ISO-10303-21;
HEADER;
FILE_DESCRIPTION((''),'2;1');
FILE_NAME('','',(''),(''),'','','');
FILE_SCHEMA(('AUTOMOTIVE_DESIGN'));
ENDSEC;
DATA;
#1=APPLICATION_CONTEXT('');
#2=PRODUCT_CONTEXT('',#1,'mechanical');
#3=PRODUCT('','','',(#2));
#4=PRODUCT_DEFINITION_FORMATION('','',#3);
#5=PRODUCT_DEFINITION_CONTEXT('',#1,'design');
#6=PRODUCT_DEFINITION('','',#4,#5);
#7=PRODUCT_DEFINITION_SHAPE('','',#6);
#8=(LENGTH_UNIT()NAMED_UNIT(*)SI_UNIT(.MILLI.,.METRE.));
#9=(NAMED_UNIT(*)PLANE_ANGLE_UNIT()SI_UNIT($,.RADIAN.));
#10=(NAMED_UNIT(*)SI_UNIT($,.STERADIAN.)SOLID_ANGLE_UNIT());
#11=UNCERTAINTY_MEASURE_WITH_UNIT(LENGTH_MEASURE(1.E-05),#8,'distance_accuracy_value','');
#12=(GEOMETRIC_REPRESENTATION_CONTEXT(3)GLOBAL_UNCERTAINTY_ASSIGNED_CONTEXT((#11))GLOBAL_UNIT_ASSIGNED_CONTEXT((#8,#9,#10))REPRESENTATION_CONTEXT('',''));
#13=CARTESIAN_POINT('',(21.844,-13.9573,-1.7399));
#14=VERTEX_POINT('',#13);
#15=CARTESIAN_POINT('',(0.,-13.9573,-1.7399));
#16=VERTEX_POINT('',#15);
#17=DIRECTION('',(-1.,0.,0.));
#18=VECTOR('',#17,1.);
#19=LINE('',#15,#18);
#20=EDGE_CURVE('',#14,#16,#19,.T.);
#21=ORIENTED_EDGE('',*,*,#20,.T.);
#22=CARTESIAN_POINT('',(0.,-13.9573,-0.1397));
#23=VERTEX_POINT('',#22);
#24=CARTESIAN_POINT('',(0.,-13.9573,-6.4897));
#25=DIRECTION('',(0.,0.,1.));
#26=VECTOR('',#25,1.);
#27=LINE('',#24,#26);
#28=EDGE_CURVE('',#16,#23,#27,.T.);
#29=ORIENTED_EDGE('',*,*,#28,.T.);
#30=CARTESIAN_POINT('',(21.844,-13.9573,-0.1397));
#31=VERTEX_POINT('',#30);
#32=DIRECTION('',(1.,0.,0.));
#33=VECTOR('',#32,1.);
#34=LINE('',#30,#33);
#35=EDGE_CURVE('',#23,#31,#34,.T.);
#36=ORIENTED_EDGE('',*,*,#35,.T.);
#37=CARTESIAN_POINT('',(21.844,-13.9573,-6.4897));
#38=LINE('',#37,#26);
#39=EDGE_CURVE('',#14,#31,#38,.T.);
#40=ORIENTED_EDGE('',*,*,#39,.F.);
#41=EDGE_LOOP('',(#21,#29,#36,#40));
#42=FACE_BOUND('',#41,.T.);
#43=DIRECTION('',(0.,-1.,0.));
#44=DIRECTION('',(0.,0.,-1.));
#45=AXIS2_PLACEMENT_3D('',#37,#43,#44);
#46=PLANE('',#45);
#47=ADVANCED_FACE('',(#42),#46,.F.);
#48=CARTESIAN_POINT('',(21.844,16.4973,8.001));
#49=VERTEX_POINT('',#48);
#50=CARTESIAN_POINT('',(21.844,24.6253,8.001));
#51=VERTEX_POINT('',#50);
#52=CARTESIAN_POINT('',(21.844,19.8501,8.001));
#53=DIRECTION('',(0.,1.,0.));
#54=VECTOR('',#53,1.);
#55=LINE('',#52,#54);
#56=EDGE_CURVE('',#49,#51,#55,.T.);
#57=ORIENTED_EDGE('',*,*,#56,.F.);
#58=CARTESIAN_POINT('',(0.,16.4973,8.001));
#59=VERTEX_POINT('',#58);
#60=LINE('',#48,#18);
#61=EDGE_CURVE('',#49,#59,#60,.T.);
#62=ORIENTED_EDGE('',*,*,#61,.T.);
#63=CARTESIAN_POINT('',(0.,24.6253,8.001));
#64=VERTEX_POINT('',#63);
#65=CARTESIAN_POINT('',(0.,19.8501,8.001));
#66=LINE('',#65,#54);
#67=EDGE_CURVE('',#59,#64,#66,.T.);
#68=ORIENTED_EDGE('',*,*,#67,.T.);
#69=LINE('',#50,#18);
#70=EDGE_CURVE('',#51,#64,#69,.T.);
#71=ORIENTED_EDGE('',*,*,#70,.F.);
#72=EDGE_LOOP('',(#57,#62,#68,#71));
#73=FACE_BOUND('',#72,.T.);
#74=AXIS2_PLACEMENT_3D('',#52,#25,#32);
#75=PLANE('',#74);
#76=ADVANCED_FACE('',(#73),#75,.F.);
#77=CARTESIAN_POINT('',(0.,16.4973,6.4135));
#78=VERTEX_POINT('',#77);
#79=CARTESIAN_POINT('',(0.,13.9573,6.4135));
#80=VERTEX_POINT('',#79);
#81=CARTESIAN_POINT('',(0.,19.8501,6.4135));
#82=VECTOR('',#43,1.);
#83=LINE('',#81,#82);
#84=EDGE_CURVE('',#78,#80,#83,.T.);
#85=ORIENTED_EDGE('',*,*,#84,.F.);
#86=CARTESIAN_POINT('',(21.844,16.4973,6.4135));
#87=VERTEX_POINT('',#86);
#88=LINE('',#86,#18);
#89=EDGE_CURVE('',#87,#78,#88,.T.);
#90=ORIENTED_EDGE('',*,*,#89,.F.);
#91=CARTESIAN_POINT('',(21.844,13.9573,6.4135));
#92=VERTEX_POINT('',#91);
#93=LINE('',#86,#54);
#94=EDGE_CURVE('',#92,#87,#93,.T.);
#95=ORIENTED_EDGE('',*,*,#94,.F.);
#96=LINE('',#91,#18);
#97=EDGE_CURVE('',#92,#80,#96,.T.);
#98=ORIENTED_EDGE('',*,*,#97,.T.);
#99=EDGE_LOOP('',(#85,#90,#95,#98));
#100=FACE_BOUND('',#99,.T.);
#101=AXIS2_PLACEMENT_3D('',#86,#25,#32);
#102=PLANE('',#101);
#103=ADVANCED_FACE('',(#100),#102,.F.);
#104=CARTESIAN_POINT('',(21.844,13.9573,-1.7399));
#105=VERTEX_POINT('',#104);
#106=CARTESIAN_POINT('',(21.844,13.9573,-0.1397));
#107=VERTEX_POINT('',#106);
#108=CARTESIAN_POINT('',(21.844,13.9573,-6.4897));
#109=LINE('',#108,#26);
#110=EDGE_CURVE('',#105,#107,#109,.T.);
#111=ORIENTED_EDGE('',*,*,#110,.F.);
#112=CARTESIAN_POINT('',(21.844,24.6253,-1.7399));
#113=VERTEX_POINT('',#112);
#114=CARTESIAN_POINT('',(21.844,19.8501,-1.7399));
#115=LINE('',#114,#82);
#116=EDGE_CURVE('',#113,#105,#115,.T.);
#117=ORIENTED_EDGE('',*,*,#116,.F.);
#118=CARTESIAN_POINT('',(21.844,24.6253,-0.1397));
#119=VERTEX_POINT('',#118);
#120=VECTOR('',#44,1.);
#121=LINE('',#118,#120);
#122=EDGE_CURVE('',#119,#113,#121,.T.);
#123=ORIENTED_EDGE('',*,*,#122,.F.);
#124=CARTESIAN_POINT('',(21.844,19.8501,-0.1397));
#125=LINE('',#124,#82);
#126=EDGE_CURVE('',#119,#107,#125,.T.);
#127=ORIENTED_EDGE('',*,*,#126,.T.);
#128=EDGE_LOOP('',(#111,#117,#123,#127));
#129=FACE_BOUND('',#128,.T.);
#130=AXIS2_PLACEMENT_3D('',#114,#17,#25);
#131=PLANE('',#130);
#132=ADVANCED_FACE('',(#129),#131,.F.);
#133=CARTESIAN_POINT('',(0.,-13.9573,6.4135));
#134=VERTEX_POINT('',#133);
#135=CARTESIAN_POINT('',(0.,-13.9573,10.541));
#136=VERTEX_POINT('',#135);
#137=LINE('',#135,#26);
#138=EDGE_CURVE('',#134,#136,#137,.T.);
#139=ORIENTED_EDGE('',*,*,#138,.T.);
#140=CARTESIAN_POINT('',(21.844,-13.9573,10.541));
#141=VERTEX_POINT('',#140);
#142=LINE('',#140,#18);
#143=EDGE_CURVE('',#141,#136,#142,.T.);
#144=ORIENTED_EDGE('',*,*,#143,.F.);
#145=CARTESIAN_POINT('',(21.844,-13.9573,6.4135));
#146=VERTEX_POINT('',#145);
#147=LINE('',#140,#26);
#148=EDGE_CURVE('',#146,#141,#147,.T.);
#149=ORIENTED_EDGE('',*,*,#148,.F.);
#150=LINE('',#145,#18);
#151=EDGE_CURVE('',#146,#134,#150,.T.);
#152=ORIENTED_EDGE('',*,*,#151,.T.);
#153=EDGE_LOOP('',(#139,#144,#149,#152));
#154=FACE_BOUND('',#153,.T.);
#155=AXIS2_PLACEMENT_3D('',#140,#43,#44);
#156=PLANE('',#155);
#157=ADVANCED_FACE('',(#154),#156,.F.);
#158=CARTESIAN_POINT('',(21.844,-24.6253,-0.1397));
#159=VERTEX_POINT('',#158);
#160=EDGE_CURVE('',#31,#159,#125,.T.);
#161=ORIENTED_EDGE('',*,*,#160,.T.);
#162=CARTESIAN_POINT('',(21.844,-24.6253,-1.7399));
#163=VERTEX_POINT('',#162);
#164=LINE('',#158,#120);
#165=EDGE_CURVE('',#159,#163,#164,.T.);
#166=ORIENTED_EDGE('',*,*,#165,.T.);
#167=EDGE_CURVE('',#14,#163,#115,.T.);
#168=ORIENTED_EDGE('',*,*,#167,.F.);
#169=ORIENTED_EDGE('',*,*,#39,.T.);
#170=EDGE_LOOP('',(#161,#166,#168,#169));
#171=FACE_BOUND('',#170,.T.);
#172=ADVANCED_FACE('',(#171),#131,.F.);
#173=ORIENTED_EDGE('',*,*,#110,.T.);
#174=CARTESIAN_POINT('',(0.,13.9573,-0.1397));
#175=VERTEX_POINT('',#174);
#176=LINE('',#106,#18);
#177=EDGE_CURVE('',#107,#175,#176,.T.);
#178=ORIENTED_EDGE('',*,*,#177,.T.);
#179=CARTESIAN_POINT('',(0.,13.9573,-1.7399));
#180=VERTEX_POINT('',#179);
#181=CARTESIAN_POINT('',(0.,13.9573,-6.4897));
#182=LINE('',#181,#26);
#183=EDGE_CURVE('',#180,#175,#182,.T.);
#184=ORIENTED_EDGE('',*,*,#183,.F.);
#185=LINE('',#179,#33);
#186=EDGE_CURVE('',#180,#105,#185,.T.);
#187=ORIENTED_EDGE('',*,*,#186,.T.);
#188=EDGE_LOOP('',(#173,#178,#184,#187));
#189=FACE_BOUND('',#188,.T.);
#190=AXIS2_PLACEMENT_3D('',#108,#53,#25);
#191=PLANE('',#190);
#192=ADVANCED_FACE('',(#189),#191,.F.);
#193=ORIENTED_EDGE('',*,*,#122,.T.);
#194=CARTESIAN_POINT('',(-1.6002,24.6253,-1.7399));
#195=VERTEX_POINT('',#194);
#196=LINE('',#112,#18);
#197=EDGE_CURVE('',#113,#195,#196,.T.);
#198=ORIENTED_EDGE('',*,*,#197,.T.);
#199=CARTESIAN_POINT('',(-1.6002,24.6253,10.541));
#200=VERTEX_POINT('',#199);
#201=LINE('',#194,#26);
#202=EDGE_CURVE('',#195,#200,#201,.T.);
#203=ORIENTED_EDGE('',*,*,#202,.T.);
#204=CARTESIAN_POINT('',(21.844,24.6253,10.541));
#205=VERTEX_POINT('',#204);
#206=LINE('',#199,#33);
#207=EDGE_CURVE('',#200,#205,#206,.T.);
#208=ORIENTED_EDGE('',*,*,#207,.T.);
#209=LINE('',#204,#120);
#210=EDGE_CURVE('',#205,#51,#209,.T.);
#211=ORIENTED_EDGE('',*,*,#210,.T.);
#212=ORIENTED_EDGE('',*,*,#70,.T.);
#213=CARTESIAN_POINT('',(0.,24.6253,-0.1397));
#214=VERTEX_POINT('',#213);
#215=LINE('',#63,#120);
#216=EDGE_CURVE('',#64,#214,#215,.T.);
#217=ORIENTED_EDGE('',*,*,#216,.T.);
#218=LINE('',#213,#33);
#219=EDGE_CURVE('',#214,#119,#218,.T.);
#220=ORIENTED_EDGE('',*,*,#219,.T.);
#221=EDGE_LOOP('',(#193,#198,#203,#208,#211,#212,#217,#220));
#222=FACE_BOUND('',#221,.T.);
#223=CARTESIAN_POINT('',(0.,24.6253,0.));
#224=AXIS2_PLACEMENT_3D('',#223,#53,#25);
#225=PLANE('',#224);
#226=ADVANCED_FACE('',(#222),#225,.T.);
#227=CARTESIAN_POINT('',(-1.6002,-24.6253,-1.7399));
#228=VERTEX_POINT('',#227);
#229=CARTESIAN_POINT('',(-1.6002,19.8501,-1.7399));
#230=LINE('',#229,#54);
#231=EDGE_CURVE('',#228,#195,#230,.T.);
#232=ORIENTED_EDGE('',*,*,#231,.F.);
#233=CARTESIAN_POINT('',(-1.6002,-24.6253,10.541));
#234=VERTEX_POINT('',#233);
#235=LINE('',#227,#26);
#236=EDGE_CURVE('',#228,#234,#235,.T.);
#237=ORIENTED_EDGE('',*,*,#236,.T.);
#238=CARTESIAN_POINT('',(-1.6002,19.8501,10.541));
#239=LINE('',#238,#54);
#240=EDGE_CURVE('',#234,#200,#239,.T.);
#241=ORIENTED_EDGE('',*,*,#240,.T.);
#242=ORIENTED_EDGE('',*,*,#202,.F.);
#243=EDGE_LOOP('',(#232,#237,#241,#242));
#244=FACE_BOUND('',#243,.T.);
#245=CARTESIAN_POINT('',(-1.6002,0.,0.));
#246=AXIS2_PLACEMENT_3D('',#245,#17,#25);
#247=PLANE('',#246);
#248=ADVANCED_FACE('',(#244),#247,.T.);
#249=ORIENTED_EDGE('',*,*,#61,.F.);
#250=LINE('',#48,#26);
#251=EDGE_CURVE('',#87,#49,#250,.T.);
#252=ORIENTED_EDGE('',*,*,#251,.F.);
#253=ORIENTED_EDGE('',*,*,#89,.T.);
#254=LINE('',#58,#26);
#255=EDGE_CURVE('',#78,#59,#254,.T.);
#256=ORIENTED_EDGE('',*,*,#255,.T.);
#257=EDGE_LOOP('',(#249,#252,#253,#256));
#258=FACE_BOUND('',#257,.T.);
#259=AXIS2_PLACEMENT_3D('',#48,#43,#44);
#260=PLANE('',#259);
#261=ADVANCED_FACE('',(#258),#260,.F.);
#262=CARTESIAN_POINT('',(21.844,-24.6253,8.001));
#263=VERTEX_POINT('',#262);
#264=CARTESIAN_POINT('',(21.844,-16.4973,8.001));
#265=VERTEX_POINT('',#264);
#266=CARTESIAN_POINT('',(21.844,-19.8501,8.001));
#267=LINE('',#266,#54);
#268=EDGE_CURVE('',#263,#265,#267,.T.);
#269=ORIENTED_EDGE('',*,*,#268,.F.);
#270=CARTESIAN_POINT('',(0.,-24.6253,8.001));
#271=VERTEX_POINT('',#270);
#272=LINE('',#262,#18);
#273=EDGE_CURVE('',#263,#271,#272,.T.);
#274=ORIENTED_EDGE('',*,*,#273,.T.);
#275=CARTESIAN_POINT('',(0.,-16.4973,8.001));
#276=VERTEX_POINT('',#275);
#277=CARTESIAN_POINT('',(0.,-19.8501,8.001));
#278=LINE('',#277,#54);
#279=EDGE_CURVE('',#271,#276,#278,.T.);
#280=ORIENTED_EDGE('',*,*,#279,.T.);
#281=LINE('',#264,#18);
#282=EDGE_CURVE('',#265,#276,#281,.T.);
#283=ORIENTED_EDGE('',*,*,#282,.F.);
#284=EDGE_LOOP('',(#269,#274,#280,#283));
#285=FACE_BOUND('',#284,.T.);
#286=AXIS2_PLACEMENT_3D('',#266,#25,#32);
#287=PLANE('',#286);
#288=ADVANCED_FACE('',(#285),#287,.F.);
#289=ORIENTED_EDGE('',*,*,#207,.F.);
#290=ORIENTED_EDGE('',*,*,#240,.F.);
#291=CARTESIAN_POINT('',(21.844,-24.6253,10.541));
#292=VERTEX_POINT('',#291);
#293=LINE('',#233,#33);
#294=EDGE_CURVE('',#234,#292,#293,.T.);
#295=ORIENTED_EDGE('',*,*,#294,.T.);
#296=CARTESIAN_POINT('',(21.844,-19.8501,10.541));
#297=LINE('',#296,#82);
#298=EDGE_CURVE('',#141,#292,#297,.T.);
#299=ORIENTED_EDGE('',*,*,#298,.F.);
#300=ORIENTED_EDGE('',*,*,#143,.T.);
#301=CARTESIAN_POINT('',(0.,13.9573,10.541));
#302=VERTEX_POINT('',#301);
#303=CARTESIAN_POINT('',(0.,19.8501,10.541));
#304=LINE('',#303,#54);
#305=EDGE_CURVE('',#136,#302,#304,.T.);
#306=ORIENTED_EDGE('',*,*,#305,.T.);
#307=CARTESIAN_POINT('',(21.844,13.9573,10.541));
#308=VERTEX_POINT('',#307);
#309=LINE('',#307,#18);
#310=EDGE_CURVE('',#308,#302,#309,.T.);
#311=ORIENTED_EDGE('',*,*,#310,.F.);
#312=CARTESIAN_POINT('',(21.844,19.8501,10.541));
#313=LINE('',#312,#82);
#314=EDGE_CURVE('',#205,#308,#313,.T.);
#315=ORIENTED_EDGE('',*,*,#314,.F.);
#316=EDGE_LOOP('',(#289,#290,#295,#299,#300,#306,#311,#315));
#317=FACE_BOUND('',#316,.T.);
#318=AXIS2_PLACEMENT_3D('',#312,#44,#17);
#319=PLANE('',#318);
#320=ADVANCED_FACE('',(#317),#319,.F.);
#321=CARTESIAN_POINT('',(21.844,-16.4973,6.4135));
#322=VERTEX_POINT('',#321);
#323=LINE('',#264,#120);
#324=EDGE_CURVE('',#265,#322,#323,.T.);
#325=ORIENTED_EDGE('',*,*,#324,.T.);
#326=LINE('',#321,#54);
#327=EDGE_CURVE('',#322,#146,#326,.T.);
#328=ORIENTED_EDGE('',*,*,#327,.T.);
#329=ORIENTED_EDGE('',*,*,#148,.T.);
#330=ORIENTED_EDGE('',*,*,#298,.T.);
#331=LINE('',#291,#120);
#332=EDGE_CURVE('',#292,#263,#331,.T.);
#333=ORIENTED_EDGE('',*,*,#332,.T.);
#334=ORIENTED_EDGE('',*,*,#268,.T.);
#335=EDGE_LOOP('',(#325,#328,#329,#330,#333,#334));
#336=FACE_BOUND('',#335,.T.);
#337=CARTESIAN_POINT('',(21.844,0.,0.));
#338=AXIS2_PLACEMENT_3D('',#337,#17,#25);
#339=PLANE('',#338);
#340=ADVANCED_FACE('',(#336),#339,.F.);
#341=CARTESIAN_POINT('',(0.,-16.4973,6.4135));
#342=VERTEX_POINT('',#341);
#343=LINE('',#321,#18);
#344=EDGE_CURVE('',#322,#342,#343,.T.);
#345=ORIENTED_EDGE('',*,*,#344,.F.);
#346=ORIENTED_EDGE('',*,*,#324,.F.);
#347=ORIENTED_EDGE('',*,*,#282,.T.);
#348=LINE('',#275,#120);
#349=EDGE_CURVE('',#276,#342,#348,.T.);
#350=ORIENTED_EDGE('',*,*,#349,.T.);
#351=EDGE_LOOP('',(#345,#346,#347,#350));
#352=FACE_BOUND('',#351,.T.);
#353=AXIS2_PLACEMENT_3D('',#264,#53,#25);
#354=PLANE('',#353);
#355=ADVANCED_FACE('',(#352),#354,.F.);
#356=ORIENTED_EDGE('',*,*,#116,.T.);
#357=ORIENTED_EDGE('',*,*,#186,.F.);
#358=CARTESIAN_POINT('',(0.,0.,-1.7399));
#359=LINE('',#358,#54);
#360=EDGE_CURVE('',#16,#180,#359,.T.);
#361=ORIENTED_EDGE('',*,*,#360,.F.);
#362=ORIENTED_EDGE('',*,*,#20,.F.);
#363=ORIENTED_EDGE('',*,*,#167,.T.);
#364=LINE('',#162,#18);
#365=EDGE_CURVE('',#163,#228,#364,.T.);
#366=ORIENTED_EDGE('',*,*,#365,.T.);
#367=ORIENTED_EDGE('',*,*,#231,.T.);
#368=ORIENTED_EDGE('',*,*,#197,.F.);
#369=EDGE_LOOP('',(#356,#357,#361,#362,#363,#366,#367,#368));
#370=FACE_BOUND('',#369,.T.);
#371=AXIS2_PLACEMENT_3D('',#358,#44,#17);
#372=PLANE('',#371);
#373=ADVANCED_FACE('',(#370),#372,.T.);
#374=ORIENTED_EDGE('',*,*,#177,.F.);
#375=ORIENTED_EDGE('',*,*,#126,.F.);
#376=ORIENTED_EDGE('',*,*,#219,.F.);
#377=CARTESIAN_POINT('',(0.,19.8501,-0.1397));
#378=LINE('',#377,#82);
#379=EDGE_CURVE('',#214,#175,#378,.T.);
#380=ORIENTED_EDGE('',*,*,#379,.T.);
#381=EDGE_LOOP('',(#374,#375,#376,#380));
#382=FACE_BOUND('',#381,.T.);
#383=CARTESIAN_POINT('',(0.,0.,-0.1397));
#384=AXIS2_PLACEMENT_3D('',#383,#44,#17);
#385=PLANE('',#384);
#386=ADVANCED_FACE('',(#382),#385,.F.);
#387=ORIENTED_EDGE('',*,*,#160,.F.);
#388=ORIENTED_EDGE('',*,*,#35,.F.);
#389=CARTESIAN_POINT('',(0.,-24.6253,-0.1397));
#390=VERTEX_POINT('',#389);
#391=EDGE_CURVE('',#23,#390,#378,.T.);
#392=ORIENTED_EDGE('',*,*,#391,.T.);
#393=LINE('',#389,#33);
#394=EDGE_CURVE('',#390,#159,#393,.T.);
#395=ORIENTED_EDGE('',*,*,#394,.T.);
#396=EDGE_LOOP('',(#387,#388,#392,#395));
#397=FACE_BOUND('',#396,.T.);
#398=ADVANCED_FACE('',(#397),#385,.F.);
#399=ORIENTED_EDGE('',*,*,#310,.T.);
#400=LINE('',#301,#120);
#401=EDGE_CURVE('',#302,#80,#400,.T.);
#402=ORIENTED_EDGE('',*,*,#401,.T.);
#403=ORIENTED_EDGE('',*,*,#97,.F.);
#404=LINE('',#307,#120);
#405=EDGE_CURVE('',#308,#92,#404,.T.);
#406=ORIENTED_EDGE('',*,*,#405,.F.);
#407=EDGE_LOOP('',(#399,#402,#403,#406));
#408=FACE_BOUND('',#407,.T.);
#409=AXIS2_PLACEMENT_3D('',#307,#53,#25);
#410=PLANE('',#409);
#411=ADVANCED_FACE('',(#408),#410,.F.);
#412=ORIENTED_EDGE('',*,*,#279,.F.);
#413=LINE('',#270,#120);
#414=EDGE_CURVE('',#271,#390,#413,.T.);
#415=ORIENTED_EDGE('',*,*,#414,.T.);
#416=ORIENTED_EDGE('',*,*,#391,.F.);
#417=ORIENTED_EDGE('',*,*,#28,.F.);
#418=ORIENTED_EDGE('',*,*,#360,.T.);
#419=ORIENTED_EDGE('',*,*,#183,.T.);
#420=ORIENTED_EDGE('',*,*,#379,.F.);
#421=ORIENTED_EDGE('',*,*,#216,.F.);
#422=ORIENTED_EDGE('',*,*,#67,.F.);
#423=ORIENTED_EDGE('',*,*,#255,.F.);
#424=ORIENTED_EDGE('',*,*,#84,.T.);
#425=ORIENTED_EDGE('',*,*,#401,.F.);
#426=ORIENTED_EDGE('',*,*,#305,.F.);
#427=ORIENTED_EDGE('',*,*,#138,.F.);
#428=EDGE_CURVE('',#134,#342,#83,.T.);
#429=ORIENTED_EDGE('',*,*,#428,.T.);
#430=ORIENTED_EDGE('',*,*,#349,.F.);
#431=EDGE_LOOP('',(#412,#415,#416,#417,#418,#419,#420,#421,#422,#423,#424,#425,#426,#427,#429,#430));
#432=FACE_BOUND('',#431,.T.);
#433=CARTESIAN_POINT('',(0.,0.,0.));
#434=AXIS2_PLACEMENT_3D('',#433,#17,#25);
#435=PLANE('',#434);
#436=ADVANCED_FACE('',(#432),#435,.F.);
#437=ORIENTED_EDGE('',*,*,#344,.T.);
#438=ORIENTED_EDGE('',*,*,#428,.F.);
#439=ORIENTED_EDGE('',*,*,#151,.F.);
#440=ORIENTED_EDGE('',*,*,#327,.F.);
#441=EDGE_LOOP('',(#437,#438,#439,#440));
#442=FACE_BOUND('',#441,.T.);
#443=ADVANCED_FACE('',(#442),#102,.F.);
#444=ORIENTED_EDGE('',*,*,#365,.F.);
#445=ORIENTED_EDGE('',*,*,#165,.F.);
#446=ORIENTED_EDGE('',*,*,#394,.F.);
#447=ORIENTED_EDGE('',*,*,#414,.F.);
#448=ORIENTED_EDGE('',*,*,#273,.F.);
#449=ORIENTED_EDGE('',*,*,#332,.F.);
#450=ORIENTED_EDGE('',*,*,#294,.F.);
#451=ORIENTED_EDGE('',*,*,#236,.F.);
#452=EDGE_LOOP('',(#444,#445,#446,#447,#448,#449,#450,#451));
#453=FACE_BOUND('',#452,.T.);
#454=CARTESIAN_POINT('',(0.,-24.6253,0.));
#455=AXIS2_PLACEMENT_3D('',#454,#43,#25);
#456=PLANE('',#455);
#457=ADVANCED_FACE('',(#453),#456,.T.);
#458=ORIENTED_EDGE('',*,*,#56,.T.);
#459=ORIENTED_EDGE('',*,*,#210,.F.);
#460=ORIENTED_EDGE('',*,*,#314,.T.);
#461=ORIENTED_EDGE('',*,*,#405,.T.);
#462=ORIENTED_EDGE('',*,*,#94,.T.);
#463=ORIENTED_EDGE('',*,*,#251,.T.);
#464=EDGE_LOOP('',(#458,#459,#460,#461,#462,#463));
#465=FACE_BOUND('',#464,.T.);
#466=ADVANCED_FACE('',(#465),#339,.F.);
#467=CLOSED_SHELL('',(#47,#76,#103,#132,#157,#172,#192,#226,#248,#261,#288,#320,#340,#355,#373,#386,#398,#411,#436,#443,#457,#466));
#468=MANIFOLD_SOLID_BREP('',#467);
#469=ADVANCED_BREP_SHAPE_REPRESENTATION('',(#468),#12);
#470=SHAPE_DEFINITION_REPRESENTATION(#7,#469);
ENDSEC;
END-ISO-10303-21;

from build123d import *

# Parameters (mm, degrees)
BOSS_EXTRUDE2_DEPTH   = 21.844
BOSS_EXTRUDE2_2_DEPTH = 21.844
SKETCH3_W             = 4.1275
SKETCH3_H             = 39.7002
BOSS_EXTRUDE3_DEPTH   = 1.6002
SKETCH4_W             = 1.6002
SKETCH4_H             = 39.7002
BOSS_EXTRUDE4_DEPTH   = 6.5532
SKETCH5_W             = 23.4442
SKETCH5_H             = 39.7002
BOSS_EXTRUDE5_DEPTH   = 1.6002
BOSS_EXTRUDE6_DEPTH   = 4.7752
SKETCH7_W             = 21.844
SKETCH7_H             = 27.9146
CUT_EXTRUDE1_DEPTH    = 6.35


with BuildPart() as part:
    # Sketch2 → Boss-Extrude2 (new body)
    with BuildSketch(Plane(origin=(0, 0, 0), x_dir=(0, 0, -1), z_dir=(1, 0, 0))):
        Polygon((-8.001, 19.8501), (-8.001, 16.4973), (-6.4135, 16.4973), (-6.4135, 13.9573), (-10.541, 13.9573), (-10.541, 19.8501), align=None)
    extrude(amount=BOSS_EXTRUDE2_DEPTH)



with BuildPart() as body_2:
    # Sketch2 → Boss-Extrude2 2 (new body)
    with BuildSketch(Plane(origin=(0, 0, 0), x_dir=(0, 0, -1), z_dir=(1, 0, 0))):
        Polygon((-6.4135, -16.4973), (-6.4135, -13.9573), (-10.541, -13.9573), (-10.541, -19.8501), (-8.001, -19.8501), (-8.001, -16.4973), align=None)
    extrude(amount=BOSS_EXTRUDE2_2_DEPTH)


with BuildPart() as part_1:
    add(part.part)

    add(body_2.part)  # Boss-Extrude3 merges body 2
    # Sketch3 → Boss-Extrude3 (add)
    with BuildSketch(Plane.ZY):
        with Locations((8.47725, 0)):
            Rectangle(SKETCH3_W, SKETCH3_H)
    extrude(amount=BOSS_EXTRUDE3_DEPTH)

    # Sketch4 → Boss-Extrude4 (add)
    with BuildSketch(Plane(origin=(0, 0, 6.4135), x_dir=(-1, 0, 0), z_dir=(0, 0, -1))):
        with Locations((0.8001, 0)):
            Rectangle(SKETCH4_W, SKETCH4_H)
    extrude(amount=BOSS_EXTRUDE4_DEPTH)

    # Sketch5 → Boss-Extrude5 (add)
    with BuildSketch(Plane(origin=(0, 0, -0.1397), x_dir=(-1, 0, 0), z_dir=(0, 0, -1))):
        with Locations((-10.1219, 0)):
            Rectangle(SKETCH5_W, SKETCH5_H)
    extrude(amount=BOSS_EXTRUDE5_DEPTH)

    # Sketch6 → Boss-Extrude6 (add)
    with BuildSketch(Plane(origin=(0, 19.8501, 0), x_dir=(1, 0, 0), z_dir=(0, 1, 0))):
        Polygon((21.844, -8.001), (0, -8.001), (0, 0.1397), (21.844, 0.1397), (21.844, 1.7399), (-1.6002, 1.7399), (-1.6002, -10.541), (21.844, -10.541), align=None)
    boss_extrude6 = extrude(amount=BOSS_EXTRUDE6_DEPTH)

    # Mirror1: Boss-Extrude6 across plane
    add(boss_extrude6.mirror(Plane.ZX))

    # Sketch7 → Cut-Extrude1 (cut)
    with BuildSketch(Plane.XY.offset(-0.1397)):
        with Locations((10.922, 0)):
            Rectangle(SKETCH7_W, SKETCH7_H)
    extrude(amount=-CUT_EXTRUDE1_DEPTH, mode=Mode.SUBTRACT)


solid = part_1.part
